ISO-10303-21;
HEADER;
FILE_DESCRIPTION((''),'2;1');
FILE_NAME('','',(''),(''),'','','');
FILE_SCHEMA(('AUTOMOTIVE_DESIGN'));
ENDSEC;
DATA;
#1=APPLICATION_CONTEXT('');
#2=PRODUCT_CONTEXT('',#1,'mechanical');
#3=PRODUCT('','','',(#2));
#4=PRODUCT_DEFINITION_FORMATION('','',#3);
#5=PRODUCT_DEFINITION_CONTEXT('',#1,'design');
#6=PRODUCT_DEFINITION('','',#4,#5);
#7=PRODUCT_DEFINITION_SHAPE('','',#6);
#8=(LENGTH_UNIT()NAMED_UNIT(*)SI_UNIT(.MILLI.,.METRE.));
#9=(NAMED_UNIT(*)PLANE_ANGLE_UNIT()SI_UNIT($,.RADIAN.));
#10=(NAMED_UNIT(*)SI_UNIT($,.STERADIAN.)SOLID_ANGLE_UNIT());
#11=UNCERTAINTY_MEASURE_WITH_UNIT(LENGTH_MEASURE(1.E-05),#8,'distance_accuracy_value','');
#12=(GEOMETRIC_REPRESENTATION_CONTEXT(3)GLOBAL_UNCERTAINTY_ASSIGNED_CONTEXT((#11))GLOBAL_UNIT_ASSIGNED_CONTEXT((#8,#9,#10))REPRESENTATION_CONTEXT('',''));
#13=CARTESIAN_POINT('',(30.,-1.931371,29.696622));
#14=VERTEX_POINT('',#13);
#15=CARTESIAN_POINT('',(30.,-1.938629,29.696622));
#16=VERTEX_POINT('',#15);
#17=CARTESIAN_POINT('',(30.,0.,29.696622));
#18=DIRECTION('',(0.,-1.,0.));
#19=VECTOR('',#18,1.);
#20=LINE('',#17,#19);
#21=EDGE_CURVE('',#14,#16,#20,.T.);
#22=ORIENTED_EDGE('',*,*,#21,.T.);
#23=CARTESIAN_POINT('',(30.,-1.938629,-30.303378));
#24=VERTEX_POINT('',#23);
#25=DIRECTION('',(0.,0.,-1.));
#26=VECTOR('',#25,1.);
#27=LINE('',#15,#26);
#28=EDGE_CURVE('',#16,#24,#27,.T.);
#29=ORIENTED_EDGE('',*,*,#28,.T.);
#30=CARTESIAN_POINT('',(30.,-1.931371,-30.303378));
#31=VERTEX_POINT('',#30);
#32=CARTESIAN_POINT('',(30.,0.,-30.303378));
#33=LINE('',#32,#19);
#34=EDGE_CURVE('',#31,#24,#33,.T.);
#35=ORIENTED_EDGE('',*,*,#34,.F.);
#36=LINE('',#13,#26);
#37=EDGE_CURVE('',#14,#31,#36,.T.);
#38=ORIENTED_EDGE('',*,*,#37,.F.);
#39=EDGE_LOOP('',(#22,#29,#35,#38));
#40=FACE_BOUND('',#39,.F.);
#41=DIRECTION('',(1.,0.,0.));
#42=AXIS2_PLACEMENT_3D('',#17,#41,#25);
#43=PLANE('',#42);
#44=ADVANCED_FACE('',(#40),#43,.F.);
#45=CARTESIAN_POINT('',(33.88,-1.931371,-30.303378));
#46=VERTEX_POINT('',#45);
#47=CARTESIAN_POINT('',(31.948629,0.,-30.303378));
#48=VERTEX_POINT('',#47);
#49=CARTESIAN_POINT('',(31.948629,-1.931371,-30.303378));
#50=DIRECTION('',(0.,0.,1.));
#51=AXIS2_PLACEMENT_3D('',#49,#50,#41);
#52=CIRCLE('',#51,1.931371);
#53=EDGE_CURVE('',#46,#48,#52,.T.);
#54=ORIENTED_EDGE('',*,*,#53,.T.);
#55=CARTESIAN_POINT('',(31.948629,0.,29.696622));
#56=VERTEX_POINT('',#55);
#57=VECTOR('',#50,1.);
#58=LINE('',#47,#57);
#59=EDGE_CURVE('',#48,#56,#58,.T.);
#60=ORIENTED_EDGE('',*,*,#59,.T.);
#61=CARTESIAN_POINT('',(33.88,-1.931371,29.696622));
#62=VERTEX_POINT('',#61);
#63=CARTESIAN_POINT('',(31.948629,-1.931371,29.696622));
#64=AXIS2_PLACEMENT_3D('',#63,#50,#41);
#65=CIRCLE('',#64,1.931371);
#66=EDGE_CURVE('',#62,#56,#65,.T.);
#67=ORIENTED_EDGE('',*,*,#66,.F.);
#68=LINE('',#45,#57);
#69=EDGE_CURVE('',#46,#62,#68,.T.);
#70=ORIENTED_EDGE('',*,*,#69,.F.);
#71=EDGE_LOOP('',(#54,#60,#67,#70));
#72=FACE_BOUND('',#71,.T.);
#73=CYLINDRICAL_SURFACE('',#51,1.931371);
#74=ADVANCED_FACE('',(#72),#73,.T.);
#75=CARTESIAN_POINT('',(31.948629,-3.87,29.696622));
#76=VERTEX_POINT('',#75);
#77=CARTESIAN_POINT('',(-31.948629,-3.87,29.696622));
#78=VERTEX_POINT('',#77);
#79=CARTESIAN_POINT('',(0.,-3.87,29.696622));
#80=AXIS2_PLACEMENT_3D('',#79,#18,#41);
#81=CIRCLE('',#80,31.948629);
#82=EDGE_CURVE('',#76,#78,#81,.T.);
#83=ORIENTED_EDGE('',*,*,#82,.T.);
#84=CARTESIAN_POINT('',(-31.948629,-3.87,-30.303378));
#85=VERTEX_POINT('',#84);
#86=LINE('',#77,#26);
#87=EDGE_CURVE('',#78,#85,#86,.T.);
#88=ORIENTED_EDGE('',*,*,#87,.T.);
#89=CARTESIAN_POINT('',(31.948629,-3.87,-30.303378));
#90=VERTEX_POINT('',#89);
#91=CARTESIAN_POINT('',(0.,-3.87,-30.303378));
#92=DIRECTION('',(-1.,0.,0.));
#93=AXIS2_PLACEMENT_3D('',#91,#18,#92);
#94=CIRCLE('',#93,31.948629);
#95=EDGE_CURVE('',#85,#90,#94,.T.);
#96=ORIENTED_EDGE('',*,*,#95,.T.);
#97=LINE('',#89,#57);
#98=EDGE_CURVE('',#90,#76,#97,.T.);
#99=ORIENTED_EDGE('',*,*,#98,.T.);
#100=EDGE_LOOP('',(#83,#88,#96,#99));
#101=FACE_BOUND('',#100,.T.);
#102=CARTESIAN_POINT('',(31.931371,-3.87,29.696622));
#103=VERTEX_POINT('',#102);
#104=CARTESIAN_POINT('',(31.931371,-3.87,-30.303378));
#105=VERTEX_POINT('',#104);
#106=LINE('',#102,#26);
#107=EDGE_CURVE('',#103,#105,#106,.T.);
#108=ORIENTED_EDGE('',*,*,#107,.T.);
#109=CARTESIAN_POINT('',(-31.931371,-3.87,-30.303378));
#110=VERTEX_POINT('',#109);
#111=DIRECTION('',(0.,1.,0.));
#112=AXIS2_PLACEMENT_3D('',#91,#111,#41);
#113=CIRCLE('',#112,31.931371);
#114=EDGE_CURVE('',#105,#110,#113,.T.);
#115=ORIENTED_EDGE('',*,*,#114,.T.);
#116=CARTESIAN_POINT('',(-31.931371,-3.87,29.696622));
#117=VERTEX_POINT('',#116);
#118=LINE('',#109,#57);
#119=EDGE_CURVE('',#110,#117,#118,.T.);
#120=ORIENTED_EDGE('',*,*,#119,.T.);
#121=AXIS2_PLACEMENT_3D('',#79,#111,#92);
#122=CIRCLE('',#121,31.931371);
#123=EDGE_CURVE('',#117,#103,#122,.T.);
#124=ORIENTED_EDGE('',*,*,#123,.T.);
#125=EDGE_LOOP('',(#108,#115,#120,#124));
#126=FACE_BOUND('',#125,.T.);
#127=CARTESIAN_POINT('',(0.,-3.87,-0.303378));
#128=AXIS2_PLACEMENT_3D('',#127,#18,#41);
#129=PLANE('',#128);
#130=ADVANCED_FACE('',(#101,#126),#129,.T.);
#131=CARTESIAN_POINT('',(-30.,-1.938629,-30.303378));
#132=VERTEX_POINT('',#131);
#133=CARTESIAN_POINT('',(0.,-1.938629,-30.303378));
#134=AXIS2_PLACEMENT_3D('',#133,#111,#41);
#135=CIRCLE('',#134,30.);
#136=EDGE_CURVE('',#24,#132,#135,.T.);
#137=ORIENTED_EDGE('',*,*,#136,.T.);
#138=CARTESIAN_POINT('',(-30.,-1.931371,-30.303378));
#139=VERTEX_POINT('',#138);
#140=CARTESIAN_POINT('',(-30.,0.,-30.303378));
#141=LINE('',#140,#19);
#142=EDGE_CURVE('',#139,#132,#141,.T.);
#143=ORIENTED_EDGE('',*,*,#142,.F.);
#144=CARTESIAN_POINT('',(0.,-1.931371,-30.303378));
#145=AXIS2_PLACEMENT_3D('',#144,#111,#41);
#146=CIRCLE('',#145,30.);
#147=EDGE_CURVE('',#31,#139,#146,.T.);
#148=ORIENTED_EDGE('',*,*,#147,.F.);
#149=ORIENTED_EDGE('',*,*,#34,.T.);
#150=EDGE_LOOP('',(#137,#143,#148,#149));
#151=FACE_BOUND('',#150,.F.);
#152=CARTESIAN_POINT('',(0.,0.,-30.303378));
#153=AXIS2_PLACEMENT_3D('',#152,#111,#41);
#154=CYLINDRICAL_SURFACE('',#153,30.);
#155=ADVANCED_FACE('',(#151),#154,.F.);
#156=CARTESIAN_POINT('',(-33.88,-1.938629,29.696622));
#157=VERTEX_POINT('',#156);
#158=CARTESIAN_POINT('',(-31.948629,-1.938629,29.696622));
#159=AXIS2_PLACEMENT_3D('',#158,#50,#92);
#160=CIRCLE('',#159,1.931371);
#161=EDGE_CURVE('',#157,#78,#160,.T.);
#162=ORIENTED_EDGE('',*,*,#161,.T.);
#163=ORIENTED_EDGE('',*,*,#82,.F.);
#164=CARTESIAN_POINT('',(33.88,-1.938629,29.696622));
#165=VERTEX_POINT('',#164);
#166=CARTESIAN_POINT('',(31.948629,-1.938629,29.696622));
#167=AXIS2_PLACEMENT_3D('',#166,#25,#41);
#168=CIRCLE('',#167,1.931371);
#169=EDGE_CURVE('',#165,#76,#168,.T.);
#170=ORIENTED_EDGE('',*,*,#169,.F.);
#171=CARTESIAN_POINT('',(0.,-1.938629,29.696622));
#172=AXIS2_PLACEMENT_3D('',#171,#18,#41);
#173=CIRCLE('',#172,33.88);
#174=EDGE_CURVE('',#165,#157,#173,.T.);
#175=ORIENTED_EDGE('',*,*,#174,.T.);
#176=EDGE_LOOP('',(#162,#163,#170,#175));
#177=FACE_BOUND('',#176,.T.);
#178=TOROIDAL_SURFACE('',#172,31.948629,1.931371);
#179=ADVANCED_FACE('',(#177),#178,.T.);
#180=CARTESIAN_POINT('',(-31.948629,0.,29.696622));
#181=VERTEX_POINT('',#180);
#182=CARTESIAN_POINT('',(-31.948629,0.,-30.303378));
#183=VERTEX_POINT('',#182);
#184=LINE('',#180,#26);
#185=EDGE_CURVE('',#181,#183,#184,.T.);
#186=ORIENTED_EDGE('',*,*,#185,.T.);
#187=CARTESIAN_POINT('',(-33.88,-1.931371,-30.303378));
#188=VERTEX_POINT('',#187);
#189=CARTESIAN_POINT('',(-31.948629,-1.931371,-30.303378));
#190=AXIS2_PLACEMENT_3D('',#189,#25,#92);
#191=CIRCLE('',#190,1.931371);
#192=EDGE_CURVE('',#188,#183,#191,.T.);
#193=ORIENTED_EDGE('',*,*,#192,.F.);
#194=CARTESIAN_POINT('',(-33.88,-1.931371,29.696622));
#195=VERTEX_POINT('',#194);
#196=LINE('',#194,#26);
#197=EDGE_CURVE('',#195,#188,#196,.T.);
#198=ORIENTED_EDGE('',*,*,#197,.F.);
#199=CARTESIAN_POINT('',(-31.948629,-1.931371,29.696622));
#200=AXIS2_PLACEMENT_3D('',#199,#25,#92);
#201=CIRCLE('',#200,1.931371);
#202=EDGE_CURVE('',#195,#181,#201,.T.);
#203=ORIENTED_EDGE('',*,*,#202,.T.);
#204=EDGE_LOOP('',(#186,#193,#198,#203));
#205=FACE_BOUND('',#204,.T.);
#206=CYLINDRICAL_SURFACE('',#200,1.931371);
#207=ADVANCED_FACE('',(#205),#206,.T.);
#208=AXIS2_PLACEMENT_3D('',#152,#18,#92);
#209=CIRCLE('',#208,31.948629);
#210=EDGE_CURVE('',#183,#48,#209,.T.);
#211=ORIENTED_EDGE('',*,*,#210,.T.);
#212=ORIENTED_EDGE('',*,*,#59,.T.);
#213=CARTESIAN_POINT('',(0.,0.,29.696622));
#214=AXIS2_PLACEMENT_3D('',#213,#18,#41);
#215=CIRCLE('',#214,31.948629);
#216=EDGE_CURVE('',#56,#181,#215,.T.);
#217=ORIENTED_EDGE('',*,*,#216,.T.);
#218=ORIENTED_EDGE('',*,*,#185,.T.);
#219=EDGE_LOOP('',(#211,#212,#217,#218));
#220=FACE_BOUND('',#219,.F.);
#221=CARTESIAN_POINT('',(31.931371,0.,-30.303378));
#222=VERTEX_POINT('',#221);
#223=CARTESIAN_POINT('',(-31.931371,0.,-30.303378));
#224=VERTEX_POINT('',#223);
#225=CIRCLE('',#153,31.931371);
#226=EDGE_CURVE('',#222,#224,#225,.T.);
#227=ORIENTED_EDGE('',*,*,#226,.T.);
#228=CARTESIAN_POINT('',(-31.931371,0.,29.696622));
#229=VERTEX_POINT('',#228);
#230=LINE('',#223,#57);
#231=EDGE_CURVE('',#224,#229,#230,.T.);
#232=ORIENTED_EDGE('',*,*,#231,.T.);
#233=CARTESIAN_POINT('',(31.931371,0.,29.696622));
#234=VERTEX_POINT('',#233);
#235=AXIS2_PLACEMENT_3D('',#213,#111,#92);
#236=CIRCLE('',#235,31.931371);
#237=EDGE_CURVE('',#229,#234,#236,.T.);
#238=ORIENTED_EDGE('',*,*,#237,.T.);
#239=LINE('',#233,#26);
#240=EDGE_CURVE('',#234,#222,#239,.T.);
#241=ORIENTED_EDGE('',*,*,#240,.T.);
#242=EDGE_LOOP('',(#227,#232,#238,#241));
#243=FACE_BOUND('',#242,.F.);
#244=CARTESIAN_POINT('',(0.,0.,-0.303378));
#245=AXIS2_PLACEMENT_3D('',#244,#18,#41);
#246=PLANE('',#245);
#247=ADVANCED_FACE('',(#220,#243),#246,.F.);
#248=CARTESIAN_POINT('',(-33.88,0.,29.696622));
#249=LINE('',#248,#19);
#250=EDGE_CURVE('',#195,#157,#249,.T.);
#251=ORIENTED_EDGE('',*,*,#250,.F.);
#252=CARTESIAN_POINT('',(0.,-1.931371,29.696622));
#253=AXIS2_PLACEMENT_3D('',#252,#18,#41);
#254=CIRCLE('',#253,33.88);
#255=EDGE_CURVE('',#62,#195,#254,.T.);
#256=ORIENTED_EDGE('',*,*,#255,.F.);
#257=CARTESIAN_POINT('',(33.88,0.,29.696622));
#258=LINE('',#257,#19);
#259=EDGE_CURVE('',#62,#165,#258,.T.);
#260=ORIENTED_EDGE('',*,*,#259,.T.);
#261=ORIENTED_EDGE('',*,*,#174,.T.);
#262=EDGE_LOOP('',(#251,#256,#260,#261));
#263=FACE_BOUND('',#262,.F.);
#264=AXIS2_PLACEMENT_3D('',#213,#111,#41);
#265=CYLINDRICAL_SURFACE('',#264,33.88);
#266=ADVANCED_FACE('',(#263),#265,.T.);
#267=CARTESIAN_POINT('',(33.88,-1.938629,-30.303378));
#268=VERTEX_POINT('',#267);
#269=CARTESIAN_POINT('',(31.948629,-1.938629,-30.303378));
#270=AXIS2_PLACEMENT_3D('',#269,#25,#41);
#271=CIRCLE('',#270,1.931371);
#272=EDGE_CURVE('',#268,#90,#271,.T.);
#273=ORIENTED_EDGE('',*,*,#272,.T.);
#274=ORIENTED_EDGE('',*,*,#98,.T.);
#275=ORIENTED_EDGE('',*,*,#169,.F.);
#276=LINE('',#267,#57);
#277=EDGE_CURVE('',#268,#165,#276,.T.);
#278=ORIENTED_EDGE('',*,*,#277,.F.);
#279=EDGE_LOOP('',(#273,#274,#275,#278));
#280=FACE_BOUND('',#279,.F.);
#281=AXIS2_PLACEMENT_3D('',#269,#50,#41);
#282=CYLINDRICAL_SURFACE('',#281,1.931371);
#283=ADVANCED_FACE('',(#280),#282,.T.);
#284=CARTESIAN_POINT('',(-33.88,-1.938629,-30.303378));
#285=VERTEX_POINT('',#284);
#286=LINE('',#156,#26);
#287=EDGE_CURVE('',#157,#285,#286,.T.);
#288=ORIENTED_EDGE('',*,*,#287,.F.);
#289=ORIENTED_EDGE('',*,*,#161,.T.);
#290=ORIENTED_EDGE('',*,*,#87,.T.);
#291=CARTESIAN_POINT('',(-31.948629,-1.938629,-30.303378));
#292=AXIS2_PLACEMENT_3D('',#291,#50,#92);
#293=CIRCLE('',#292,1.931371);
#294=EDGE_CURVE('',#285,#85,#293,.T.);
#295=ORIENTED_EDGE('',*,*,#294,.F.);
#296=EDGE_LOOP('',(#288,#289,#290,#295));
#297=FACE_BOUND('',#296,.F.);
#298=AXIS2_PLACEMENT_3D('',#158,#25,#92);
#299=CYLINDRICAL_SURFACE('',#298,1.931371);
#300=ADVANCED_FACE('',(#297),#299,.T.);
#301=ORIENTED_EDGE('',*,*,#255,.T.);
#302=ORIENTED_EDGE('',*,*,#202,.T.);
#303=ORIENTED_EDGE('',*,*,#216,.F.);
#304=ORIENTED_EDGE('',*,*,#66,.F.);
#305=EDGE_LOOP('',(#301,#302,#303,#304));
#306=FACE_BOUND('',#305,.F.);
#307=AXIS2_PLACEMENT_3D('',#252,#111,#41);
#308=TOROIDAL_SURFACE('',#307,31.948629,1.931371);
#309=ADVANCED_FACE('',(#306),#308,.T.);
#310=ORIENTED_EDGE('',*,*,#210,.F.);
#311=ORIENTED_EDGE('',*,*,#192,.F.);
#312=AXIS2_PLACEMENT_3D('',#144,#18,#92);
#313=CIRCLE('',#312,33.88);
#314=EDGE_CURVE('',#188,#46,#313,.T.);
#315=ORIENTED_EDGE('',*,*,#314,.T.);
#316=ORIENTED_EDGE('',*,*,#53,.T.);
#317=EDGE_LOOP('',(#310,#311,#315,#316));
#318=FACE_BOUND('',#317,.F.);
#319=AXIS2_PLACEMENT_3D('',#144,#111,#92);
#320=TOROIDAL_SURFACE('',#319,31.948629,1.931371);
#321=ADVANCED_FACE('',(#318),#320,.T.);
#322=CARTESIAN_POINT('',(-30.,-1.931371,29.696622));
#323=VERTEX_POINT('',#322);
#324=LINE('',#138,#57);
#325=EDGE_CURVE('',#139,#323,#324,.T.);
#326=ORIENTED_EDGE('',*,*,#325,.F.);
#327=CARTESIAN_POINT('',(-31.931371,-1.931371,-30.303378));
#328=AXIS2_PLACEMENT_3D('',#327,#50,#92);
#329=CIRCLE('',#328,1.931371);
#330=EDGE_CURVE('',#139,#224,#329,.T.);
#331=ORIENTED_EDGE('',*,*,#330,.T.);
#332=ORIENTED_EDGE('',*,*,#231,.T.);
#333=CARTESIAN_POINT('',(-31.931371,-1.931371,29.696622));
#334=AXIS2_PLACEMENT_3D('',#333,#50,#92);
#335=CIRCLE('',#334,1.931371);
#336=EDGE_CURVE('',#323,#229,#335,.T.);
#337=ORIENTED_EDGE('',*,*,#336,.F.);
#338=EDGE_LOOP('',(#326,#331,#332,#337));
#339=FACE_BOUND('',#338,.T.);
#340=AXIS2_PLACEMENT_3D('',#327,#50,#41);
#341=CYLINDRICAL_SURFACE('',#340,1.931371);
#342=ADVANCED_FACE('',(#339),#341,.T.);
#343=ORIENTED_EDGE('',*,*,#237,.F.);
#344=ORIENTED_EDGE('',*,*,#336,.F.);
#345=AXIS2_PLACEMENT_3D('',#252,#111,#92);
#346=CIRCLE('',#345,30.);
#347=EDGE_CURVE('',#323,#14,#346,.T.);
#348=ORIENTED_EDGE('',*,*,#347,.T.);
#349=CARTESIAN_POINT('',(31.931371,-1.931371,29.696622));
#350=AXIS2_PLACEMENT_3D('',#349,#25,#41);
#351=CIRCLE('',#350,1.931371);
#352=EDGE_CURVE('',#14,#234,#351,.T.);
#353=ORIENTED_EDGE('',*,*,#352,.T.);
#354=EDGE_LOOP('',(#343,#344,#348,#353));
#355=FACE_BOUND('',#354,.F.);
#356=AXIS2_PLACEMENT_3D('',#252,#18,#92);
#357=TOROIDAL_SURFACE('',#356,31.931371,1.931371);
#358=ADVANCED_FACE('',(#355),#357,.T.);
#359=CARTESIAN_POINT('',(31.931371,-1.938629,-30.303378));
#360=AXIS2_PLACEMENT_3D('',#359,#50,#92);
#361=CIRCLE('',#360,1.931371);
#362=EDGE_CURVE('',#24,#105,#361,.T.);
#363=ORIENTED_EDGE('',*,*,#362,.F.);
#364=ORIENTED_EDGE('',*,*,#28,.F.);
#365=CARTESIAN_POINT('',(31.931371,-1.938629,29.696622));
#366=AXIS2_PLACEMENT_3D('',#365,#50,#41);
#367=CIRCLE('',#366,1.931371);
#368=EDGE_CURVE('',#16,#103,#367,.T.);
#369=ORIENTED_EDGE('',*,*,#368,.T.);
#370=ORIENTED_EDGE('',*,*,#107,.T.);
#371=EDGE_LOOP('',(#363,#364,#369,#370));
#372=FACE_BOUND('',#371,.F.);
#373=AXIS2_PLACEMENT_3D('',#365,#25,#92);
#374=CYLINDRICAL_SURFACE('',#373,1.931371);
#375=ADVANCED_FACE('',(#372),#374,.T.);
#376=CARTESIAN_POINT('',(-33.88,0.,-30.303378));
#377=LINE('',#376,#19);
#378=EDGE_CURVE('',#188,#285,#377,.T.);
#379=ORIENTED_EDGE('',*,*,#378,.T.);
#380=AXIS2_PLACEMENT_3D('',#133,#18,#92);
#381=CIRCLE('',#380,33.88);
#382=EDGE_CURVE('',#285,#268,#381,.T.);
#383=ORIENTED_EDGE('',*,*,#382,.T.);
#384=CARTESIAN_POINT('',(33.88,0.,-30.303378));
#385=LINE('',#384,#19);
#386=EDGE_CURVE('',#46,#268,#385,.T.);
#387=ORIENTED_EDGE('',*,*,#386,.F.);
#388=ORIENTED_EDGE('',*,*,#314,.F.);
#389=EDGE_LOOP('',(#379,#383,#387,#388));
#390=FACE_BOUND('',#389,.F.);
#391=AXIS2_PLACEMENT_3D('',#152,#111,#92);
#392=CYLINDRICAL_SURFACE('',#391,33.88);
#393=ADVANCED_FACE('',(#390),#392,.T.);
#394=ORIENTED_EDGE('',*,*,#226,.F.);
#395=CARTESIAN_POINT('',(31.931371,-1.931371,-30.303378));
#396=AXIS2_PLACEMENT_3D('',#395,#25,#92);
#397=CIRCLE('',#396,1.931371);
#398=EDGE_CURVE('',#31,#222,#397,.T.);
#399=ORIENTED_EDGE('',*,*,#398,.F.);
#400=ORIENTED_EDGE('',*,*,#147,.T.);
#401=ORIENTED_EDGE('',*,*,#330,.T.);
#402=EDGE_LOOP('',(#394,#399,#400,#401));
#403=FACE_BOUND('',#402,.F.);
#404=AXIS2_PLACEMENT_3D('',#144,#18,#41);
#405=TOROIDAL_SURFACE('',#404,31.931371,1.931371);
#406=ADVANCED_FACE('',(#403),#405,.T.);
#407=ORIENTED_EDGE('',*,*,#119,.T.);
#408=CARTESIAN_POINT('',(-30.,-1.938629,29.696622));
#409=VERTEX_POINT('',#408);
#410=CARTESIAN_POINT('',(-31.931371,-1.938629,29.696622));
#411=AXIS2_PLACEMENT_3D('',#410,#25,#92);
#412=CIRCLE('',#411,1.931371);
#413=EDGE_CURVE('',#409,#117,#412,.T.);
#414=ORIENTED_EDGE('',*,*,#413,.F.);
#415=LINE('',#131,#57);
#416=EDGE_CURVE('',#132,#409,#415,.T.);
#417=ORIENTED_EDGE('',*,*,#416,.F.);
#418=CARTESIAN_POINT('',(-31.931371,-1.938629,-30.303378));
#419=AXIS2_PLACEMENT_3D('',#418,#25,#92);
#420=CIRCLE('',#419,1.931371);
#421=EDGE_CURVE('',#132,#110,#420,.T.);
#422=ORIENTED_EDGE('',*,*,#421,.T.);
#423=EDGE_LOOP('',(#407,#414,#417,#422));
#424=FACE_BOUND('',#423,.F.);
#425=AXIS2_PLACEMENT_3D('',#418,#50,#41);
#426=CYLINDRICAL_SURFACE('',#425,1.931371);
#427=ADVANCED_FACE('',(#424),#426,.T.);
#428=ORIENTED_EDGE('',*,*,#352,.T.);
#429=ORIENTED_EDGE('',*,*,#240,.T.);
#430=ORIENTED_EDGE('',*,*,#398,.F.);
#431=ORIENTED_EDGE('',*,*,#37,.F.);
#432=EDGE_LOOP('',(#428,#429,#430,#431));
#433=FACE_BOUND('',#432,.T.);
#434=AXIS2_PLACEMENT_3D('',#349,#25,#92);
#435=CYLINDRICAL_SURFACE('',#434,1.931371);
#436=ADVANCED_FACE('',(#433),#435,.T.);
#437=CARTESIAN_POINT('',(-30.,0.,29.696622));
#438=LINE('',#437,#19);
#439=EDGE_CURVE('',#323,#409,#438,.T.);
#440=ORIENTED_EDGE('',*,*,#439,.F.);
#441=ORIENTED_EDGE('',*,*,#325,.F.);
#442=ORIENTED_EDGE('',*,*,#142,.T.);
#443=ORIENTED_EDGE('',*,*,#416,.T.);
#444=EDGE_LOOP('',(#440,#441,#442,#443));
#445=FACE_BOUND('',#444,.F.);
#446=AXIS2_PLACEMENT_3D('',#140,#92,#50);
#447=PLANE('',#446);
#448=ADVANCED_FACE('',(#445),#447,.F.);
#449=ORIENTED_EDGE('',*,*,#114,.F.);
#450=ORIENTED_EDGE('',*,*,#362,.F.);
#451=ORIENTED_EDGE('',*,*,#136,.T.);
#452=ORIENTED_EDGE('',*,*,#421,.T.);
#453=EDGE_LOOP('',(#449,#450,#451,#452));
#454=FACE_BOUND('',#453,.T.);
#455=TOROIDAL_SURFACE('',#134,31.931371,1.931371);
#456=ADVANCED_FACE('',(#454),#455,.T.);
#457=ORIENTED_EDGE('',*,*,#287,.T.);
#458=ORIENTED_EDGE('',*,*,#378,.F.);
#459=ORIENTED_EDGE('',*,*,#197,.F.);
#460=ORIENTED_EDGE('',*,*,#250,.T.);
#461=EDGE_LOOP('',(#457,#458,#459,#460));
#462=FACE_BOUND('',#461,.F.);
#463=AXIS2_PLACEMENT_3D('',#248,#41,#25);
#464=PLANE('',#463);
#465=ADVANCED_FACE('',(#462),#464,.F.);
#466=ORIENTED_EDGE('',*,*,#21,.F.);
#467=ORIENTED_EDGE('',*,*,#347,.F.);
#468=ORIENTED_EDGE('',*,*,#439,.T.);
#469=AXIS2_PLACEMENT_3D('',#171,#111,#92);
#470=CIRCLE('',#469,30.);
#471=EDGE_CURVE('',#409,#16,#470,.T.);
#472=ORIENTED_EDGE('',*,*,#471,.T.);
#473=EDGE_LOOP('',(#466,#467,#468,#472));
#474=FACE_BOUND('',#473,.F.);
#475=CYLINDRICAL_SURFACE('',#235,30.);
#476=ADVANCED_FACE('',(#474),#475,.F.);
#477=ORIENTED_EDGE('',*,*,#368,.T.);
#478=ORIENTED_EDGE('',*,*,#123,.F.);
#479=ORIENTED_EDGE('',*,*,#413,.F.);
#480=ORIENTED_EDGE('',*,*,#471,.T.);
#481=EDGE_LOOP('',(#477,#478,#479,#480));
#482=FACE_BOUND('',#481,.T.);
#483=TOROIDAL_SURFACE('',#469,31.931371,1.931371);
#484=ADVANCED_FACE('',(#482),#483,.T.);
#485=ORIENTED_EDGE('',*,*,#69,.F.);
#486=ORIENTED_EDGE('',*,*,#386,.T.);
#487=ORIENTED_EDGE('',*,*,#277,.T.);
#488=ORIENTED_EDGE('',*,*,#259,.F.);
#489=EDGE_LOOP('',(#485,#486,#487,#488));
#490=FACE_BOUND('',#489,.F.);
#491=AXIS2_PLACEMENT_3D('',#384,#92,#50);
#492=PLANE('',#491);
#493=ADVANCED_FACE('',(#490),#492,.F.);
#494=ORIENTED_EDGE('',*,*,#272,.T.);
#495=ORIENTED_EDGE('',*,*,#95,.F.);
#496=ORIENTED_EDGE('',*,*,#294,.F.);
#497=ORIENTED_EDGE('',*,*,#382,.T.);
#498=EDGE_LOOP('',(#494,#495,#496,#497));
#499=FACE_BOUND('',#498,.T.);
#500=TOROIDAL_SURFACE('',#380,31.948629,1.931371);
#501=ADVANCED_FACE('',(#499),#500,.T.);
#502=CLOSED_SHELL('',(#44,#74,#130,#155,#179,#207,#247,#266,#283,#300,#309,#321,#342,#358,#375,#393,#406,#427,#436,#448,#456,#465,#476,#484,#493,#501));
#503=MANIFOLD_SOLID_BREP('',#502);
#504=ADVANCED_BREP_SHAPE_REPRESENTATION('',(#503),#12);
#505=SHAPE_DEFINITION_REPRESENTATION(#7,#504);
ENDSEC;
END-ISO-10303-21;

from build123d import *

# Parameters (mm, degrees)
F1_DEPTH = 3.87
F2_R     = 1.931371


with BuildPart() as f1:
    # F0 (on Front) → F1 (new body)
    with BuildSketch(Plane.XZ):
        with BuildLine():
            ThreePointArc((33.88, 29.696622), (0, 63.576622), (-33.88, 29.696622))
            Line((-33.88, 29.696622), (-33.88, -30.303378))
            ThreePointArc((-33.88, -30.303378), (0, -64.183378), (33.88, -30.303378))
            Line((33.88, -30.303378), (33.88, 29.696622))
        make_face()
        with BuildLine():
            Line((-30, -30.303378), (-30, 29.696622))
            ThreePointArc((-30, 29.696622), (0, 59.696622), (30, 29.696622))
            Line((30, 29.696622), (30, -30.303378))
            ThreePointArc((30, -30.303378), (0, -60.303378), (-30, -30.303378))
        make_face(mode=Mode.SUBTRACT)
    extrude(amount=F1_DEPTH)

    # F2
    f2_edges = [f1.edges().sort_by_distance(p)[0] for p in [
        (0, 0, 63.576622),
        (-33.88, 0, -0.303378),
        (0, 0, -64.183378),
        (33.88, 0, -0.303378),
        (0, 0, 59.696622),
        (30, 0, -0.303378),
        (0, 0, -60.303378),
        (-30, 0, -0.303378),
        (0, -3.87, 63.576622),
        (-33.88, -3.87, -0.303378),
        (0, -3.87, -64.183378),
        (33.88, -3.87, -0.303378),
        (0, -3.87, 59.696622),
        (30, -3.87, -0.303378),
        (0, -3.87, -60.303378),
        (-30, -3.87, -0.303378),
    ]]
    fillet(f2_edges, radius=F2_R)


solid = f1.part
